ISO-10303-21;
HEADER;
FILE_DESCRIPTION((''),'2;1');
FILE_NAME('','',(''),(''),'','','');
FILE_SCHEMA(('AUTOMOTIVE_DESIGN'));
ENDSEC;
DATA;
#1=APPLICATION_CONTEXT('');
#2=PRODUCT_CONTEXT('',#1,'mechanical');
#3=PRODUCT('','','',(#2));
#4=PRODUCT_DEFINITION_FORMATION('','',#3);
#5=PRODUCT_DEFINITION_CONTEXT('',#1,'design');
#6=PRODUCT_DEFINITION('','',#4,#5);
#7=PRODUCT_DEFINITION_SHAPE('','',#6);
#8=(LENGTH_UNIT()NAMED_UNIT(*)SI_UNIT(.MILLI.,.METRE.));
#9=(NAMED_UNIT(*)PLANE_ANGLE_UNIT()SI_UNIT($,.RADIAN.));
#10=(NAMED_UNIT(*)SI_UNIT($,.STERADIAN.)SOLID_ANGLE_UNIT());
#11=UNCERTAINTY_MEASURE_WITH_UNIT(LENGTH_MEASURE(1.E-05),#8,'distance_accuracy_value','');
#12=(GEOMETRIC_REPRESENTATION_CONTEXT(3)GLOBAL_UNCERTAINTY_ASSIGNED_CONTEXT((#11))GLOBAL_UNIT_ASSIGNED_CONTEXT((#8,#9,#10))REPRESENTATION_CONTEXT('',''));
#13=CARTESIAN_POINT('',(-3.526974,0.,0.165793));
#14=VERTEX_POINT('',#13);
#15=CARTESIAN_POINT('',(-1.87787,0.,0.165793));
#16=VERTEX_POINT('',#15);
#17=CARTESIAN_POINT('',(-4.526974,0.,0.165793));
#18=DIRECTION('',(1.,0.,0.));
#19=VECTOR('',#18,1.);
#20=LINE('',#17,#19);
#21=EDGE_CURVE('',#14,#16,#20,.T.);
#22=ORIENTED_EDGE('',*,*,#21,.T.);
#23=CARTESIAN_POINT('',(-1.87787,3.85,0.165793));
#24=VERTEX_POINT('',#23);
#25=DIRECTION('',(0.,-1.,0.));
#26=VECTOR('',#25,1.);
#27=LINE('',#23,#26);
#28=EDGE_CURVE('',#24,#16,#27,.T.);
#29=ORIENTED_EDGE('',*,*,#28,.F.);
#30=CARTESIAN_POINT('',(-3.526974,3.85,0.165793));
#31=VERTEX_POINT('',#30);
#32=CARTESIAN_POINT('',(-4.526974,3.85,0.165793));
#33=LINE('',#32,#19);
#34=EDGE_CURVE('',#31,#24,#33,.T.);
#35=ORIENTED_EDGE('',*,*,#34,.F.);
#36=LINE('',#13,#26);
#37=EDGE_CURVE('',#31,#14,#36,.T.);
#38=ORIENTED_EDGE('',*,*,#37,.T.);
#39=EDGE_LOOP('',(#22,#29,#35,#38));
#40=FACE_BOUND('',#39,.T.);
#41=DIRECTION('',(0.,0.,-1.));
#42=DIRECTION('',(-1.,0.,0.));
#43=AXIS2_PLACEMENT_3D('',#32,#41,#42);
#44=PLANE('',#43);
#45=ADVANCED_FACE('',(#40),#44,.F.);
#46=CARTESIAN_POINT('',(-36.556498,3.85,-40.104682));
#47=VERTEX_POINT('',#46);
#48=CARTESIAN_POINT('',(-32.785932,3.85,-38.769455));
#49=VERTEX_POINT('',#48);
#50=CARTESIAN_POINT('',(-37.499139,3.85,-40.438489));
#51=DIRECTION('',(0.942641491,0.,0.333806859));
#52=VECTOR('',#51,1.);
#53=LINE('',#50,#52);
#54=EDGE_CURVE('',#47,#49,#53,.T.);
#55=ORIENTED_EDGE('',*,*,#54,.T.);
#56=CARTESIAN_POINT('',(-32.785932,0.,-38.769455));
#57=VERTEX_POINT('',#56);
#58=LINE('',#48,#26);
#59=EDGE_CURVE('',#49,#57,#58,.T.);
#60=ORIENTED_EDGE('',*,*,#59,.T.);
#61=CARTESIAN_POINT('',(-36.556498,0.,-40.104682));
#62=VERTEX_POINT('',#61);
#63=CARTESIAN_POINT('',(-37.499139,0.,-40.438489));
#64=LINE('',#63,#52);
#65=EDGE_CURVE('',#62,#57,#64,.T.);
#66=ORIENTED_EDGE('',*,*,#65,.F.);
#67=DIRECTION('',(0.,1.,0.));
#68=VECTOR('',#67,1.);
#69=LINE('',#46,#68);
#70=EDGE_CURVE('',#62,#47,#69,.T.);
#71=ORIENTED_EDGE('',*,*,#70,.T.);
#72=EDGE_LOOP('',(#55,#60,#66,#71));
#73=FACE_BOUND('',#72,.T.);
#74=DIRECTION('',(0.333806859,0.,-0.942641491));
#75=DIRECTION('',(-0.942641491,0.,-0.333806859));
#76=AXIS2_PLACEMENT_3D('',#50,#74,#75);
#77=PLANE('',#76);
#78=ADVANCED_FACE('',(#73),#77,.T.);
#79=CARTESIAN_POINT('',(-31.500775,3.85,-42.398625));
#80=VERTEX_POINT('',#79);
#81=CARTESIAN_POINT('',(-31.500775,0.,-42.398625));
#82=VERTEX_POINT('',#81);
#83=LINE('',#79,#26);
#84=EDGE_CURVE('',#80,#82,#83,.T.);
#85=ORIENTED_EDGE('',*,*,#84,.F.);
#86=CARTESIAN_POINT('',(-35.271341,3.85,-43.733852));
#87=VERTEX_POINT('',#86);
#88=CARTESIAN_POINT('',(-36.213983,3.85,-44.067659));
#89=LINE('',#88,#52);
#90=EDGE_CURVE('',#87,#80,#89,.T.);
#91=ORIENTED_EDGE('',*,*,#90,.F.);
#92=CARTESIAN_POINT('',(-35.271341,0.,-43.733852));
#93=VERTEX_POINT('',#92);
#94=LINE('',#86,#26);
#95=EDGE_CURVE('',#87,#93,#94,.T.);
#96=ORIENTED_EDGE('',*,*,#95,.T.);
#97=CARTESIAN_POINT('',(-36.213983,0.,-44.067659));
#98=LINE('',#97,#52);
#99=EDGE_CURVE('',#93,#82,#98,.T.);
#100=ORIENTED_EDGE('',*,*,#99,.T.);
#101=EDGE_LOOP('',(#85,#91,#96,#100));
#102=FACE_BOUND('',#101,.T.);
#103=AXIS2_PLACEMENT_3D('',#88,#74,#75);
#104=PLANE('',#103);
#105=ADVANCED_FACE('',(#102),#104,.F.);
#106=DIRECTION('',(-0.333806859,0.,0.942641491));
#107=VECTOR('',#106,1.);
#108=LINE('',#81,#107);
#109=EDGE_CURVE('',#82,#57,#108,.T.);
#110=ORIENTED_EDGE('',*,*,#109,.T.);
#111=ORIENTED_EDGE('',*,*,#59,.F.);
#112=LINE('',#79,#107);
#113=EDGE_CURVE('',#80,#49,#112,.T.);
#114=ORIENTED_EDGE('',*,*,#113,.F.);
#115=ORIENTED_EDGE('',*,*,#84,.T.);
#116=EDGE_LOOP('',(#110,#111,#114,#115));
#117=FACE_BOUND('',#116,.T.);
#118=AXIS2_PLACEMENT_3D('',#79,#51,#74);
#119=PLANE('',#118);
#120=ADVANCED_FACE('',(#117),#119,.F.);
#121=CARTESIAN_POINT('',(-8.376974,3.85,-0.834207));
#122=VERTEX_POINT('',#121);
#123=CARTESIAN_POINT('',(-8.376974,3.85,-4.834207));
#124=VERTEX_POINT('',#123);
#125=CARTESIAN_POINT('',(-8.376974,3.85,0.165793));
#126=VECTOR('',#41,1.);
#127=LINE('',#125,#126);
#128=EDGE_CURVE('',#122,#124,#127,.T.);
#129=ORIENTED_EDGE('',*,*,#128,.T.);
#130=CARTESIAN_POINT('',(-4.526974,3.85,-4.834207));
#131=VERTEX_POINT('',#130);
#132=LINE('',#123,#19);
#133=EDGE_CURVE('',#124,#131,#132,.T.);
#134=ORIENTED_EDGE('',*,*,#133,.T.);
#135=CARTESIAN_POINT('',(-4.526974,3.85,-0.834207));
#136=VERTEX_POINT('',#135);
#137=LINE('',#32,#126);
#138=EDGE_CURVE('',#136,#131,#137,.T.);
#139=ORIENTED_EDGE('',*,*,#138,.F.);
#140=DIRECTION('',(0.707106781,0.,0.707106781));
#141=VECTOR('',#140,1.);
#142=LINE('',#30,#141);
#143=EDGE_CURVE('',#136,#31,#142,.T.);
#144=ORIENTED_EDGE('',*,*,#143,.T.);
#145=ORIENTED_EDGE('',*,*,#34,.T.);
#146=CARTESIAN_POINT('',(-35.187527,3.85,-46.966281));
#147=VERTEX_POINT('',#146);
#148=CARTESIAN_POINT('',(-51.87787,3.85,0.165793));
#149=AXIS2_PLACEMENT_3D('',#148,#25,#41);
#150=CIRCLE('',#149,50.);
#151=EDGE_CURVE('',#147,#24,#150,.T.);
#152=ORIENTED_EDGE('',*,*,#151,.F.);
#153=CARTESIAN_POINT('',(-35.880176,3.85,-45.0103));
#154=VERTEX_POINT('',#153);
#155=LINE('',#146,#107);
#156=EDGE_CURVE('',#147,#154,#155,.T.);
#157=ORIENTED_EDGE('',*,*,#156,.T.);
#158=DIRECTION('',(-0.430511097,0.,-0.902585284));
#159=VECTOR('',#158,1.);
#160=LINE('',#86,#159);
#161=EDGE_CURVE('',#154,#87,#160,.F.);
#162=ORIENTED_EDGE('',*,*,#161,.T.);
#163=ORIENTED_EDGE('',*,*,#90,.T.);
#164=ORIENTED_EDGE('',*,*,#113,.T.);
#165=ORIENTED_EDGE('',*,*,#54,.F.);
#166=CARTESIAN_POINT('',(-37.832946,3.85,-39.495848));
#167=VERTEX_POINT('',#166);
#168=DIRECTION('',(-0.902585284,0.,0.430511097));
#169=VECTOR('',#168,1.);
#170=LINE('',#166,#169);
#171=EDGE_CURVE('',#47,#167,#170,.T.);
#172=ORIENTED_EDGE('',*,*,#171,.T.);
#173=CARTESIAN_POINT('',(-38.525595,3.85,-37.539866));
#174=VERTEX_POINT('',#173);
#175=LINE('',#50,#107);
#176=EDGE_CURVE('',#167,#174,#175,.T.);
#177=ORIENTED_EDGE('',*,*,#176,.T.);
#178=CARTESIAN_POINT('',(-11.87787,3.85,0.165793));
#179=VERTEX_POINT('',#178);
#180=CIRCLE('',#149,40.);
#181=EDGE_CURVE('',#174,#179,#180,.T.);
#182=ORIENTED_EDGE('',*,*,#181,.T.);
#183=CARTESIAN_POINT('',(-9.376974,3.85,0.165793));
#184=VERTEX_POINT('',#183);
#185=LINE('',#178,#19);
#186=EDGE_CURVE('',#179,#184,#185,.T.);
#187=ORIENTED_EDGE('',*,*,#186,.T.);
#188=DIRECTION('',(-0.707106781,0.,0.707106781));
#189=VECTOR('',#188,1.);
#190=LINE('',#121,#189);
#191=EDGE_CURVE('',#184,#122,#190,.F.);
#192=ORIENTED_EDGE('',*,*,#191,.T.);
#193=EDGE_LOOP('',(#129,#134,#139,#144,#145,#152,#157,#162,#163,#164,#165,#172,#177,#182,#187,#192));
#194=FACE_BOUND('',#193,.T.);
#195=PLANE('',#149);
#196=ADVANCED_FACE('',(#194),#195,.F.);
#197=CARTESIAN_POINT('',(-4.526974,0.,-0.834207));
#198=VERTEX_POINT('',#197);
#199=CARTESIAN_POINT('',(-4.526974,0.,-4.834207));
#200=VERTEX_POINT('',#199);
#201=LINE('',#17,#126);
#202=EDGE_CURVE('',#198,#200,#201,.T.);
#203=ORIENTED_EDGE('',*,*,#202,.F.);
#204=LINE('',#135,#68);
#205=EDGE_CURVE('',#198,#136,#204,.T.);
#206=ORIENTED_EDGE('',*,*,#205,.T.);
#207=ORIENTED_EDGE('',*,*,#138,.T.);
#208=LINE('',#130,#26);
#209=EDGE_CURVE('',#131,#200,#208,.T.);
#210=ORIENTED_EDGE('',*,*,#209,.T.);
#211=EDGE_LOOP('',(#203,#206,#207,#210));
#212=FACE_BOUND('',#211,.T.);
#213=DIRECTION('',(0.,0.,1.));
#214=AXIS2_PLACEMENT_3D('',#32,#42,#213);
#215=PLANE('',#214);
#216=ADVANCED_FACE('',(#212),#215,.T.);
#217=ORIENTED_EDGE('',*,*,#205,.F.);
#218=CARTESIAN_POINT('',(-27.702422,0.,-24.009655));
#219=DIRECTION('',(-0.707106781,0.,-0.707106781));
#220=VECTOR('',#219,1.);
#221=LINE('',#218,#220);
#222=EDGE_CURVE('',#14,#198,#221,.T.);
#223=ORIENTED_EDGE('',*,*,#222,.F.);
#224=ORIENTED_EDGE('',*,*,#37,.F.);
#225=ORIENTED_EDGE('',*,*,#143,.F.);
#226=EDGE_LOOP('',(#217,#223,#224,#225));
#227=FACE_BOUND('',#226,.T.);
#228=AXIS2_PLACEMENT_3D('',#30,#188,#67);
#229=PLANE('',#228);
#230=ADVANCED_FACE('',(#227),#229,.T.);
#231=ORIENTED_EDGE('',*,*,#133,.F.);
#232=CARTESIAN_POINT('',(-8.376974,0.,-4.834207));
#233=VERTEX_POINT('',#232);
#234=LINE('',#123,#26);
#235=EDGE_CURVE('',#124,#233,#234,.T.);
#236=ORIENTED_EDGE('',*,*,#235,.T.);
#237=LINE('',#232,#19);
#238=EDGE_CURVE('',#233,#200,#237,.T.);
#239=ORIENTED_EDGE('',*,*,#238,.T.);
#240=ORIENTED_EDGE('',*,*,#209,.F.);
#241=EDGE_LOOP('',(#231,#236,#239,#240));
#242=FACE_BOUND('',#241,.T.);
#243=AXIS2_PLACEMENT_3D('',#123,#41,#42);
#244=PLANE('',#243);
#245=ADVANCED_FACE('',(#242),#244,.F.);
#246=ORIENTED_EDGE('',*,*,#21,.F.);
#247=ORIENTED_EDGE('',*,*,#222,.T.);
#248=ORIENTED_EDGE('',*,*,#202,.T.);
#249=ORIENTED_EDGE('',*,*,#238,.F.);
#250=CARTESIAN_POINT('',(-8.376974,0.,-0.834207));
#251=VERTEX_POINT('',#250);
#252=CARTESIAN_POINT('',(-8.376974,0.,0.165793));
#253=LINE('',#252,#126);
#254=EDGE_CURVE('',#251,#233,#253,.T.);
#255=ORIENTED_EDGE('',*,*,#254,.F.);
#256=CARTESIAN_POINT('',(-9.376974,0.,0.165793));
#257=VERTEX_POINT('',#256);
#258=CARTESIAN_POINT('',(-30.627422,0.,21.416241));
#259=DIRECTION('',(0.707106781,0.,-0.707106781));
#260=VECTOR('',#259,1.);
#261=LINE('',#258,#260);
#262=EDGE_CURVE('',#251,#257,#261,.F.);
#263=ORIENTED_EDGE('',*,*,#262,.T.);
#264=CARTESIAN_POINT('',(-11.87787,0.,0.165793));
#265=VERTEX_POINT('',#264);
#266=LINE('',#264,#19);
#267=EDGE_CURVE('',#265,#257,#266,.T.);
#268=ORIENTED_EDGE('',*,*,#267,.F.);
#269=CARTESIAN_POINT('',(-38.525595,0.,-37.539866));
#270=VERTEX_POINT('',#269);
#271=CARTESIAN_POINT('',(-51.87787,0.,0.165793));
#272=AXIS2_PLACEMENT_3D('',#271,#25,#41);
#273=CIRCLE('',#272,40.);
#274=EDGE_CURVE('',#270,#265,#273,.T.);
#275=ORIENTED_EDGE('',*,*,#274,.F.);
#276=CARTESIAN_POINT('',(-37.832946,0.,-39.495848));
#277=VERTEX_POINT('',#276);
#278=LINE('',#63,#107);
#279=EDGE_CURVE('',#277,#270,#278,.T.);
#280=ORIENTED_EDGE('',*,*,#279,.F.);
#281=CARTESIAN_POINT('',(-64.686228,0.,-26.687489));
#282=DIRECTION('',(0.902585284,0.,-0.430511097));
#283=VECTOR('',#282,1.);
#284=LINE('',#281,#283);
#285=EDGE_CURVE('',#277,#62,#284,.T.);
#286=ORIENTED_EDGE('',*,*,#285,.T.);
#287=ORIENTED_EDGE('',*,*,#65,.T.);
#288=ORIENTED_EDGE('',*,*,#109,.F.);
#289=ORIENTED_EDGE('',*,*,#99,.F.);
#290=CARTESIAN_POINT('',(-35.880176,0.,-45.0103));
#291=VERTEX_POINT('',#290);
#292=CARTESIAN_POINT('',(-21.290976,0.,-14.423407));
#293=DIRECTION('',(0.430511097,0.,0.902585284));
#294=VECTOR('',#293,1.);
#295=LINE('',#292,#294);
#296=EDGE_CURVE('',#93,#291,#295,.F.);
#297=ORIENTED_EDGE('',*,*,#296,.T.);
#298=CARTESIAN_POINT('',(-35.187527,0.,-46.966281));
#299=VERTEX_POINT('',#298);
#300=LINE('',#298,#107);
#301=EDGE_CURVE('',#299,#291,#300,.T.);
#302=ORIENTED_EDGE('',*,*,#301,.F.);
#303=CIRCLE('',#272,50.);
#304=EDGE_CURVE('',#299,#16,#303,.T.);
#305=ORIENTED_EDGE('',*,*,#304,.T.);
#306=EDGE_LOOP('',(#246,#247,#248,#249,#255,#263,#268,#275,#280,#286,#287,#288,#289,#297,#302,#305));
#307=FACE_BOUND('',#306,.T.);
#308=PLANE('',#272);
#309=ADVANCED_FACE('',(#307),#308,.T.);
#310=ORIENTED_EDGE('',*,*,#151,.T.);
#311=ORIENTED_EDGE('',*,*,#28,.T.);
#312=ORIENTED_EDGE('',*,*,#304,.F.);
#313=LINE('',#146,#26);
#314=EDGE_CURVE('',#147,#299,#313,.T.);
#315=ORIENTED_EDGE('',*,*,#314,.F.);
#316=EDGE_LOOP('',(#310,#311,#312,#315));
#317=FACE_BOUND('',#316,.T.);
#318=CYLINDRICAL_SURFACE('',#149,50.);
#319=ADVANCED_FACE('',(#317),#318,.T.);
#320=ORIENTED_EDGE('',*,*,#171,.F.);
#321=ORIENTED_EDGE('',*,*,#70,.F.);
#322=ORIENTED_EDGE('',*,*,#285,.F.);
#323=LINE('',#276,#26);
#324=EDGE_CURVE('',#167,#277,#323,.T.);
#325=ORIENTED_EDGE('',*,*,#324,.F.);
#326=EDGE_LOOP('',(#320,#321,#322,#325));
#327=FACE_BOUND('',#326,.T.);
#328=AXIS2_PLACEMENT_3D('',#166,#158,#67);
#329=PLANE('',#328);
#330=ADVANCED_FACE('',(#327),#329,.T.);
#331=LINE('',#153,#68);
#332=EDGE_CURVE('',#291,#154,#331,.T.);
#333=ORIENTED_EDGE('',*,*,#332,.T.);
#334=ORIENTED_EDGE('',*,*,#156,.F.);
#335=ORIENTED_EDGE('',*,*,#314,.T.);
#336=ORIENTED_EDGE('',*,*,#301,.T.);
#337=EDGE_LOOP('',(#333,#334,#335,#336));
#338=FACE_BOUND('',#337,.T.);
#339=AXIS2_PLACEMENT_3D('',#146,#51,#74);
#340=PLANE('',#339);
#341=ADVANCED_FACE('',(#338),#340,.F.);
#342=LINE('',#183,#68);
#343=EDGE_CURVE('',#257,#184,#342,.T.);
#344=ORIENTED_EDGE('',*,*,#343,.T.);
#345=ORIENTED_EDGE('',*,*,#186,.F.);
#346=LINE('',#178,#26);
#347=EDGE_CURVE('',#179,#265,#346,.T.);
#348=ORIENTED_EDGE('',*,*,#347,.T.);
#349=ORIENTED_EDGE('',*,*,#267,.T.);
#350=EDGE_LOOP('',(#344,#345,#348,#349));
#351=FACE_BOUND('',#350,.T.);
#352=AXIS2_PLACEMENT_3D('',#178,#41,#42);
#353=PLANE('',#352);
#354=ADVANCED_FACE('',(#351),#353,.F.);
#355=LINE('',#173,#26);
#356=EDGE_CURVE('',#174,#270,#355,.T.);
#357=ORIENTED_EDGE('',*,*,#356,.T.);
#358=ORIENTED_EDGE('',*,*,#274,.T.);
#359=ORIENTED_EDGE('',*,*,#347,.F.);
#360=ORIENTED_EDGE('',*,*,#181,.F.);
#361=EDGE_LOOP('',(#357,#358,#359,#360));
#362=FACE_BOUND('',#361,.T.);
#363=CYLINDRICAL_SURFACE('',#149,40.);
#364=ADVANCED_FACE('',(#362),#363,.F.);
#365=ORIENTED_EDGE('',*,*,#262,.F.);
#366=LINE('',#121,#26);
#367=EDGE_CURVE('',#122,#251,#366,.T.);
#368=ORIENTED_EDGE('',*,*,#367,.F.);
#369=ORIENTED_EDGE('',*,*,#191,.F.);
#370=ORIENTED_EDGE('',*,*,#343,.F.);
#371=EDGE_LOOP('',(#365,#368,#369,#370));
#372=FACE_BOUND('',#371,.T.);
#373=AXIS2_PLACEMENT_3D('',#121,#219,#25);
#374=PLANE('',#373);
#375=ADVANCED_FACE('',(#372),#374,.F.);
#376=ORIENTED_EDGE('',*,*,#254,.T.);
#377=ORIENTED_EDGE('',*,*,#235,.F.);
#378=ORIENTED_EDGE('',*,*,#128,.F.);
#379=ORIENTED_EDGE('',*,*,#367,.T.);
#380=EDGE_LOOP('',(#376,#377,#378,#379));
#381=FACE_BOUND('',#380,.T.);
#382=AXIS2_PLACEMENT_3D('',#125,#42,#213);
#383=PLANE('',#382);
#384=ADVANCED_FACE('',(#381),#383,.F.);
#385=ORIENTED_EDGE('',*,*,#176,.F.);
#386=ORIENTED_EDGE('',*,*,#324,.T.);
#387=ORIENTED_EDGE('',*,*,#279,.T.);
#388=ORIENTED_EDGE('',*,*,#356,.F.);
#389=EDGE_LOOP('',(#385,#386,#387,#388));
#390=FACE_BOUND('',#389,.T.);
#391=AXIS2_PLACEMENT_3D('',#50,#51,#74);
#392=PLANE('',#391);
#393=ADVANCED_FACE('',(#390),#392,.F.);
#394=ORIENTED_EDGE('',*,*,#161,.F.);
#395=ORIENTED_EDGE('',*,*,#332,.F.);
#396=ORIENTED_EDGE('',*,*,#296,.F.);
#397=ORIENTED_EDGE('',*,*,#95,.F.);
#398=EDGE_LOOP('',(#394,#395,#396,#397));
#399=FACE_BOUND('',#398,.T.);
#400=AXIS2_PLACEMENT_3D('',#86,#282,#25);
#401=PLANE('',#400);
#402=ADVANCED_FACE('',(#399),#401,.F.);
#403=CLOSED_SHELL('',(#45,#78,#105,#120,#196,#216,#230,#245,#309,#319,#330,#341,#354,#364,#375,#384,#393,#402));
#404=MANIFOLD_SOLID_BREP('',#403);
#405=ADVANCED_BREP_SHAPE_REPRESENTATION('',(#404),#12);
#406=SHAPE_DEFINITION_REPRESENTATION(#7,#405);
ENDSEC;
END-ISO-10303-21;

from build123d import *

# Parameters (mm, degrees)
BOSS_EXTRUDE1_DEPTH = 3.85
CHAMFER1_SIZE       = 1


with BuildPart() as part:
    # Sketch1 → Boss-Extrude1 (new body)
    with BuildSketch(Plane(origin=(0, 0, 0), x_dir=(1, 0, 0), z_dir=(0, 1, 0))):
        with BuildLine():
            Line((-35.18752665, 46.966281406), (-36.213982742, 44.067658821))
            Line((-36.213982742, 44.067658821), (-31.500775287, 42.398624525))
            Line((-31.500775287, 42.398624525), (-32.785931695, 38.769454784))
            Line((-32.785931695, 38.769454784), (-37.49913915, 40.438489081))
            Line((-37.49913915, 40.438489081), (-38.525595242, 37.539866495))
            ThreePointArc((-38.525595242, 37.539866495), (-19.212207405, 22.920014453), (-11.877869612, -0.165793148))
            Line((-11.877869612, -0.165793148), (-8.376973606, -0.165793148))
            Line((-8.376973606, -0.165793148), (-8.376973606, 4.834206852))
            Line((-8.376973606, 4.834206852), (-4.526973606, 4.834206852))
            Line((-4.526973606, 4.834206852), (-4.526973606, -0.165793148))
            Line((-4.526973606, -0.165793148), (-1.877869612, -0.165793148))
            ThreePointArc((-1.877869612, -0.165793148), (-11.045791854, 28.691466354), (-35.18752665, 46.966281406))
        make_face()
    extrude(amount=BOSS_EXTRUDE1_DEPTH)

    # Chamfer1
    chamfer1_edges = [part.edges().sort_by_distance(p)[0] for p in [
        (-4.526973606, 1.925, 0.165793148),
        (-8.376973606, 1.925, 0.165793148),
        (-37.49913915, 1.925, -40.438489081),
        (-36.213982742, 1.925, -44.067658821),
    ]]
    chamfer(chamfer1_edges, length=CHAMFER1_SIZE)


solid = part.part
